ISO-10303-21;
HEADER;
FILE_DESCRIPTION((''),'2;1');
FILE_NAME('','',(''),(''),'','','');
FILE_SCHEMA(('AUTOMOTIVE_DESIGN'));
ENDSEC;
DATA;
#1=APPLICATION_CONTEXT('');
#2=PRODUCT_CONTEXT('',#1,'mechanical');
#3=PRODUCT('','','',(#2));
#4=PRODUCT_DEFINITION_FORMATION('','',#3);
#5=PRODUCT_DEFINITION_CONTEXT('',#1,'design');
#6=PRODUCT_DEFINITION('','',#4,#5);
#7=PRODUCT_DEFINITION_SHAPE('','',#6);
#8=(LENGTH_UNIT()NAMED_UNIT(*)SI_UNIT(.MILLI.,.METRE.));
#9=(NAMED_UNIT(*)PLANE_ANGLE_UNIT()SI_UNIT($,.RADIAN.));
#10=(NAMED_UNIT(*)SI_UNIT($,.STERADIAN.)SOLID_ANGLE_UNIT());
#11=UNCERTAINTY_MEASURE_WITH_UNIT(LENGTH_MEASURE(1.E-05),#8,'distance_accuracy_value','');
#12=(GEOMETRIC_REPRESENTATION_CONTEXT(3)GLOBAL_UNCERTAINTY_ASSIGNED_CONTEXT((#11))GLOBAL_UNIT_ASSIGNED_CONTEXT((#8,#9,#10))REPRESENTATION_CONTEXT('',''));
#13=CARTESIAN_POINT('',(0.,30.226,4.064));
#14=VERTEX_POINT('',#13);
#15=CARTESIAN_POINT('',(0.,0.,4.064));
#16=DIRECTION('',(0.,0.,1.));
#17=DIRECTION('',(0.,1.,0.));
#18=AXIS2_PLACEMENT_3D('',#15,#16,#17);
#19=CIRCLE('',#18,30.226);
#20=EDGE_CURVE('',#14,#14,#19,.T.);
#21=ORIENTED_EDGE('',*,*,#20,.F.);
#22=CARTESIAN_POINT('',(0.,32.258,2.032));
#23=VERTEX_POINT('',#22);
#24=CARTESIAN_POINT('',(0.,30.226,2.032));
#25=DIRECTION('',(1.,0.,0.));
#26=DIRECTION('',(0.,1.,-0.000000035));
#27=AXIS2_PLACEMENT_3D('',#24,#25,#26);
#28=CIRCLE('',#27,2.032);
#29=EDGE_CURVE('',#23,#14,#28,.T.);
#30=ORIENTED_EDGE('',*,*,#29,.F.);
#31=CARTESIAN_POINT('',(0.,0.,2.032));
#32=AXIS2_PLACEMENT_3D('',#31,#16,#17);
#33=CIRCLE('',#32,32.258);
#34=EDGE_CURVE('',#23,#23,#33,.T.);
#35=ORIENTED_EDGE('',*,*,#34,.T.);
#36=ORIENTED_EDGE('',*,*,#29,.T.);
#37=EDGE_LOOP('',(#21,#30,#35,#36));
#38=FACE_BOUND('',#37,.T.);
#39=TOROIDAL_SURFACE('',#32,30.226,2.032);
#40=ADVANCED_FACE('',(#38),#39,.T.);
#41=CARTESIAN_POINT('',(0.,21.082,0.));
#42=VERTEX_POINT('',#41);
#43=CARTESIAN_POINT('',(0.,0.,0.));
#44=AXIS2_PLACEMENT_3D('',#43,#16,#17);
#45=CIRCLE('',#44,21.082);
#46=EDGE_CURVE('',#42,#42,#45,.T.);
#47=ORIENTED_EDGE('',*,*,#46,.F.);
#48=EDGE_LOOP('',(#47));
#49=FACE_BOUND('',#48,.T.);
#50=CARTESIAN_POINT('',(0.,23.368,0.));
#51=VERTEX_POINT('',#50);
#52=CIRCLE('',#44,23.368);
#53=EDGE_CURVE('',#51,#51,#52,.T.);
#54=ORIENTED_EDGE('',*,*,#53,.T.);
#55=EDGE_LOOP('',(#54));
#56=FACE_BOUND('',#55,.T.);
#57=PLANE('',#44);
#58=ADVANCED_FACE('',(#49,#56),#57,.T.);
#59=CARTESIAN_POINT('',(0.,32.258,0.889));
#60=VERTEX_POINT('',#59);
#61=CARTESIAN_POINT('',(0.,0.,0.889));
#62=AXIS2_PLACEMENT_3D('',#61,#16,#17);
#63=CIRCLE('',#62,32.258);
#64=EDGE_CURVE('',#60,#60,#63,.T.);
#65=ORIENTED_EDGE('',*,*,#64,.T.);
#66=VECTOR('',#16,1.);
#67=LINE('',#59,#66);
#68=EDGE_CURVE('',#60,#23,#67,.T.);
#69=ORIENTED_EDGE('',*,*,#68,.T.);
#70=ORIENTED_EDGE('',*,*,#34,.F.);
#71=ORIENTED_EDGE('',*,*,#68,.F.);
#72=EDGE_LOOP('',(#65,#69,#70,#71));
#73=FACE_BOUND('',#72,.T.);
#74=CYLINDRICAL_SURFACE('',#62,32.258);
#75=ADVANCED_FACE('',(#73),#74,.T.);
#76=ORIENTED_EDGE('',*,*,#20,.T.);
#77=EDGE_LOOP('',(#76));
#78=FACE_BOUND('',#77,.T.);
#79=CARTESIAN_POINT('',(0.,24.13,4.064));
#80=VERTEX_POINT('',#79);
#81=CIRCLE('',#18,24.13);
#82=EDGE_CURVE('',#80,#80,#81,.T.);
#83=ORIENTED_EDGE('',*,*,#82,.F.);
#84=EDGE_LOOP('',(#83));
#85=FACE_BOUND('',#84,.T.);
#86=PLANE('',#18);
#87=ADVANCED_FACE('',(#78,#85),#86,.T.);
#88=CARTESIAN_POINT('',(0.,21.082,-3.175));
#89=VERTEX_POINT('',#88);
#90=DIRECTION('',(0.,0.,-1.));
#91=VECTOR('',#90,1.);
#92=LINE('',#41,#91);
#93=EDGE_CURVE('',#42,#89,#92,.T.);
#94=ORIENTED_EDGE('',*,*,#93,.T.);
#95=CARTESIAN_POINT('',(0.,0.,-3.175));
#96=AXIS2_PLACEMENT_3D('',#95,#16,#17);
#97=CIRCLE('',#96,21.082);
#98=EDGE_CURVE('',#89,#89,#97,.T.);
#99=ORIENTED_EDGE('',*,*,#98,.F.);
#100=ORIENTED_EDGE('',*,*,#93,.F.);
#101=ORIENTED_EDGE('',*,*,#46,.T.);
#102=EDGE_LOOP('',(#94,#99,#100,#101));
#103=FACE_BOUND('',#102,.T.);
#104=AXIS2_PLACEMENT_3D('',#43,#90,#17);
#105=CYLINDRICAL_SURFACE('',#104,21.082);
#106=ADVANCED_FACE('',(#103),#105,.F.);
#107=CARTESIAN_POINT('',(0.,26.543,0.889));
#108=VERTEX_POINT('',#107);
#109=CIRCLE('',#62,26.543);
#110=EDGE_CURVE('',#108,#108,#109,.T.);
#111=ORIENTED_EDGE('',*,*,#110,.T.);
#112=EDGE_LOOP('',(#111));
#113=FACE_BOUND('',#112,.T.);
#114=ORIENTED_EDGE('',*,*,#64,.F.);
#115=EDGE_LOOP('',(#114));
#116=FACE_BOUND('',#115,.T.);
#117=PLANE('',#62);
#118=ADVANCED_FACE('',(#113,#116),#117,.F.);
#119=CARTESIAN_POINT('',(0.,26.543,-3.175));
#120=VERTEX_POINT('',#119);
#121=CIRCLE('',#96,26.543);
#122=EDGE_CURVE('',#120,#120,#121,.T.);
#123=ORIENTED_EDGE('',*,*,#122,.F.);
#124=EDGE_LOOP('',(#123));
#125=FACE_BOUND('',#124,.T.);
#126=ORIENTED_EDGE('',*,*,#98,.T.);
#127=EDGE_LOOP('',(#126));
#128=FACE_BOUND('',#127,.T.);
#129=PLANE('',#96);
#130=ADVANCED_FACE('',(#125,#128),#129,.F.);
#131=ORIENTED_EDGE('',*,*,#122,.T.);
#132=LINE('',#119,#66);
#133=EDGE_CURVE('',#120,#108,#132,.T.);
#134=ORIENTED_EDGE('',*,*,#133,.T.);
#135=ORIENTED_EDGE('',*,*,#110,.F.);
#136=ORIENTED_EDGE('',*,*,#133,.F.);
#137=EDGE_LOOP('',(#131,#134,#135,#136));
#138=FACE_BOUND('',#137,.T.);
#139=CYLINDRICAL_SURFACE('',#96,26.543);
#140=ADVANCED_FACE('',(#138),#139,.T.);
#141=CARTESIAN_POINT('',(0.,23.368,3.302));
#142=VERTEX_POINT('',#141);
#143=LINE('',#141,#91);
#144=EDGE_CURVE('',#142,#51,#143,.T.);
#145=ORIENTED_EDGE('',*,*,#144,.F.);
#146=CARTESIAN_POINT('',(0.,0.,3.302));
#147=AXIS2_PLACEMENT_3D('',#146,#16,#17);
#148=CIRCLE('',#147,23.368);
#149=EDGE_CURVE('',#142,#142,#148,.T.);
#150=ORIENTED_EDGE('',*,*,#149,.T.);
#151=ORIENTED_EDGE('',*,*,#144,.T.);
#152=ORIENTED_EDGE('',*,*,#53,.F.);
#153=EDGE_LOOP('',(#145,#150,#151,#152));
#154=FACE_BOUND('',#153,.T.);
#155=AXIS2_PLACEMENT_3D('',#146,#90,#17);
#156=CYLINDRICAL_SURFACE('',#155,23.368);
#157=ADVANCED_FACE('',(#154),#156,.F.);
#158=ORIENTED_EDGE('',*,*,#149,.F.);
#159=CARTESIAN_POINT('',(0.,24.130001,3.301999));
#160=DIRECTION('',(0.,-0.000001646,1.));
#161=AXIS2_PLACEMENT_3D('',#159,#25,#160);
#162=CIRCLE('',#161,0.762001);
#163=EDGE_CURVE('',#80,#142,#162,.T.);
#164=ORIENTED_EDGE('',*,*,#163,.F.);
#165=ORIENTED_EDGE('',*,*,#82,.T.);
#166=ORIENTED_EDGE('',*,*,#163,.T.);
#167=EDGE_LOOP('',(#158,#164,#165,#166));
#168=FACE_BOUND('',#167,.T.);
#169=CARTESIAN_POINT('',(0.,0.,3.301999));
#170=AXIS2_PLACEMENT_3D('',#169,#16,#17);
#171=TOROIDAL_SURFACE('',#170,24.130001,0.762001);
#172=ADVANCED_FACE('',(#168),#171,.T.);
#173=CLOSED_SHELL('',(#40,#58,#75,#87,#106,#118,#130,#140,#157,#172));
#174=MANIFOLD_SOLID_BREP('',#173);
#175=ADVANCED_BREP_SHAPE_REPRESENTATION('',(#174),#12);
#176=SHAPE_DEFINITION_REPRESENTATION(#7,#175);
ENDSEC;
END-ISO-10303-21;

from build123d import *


with BuildPart() as f1:
    # F0 (on Right) → F1 (revolve)
    with BuildSketch(Plane.YZ):
        with BuildLine():
            Line((23.368, 0), (21.082, 0))
            Line((21.082, 0), (21.082, -3.175))
            Line((21.082, -3.175), (26.543, -3.175))
            Line((26.543, -3.175), (26.543, 0.889))
            Line((26.543, 0.889), (32.258, 0.889))
            Line((32.258, 0.889), (32.258, 2.032))
            ThreePointArc((32.258, 2.032), (31.662841, 3.468841), (30.226, 4.064))
            Line((30.226, 4.064), (24.13, 4.064))
            ThreePointArc((24.13, 4.064), (23.591185, 3.840815), (23.368, 3.302))
            Line((23.368, 3.302), (23.368, 0))
        make_face()
    revolve(axis=Axis((0, 0, 5.342678), (0, 0, 1)))


solid = f1.part
